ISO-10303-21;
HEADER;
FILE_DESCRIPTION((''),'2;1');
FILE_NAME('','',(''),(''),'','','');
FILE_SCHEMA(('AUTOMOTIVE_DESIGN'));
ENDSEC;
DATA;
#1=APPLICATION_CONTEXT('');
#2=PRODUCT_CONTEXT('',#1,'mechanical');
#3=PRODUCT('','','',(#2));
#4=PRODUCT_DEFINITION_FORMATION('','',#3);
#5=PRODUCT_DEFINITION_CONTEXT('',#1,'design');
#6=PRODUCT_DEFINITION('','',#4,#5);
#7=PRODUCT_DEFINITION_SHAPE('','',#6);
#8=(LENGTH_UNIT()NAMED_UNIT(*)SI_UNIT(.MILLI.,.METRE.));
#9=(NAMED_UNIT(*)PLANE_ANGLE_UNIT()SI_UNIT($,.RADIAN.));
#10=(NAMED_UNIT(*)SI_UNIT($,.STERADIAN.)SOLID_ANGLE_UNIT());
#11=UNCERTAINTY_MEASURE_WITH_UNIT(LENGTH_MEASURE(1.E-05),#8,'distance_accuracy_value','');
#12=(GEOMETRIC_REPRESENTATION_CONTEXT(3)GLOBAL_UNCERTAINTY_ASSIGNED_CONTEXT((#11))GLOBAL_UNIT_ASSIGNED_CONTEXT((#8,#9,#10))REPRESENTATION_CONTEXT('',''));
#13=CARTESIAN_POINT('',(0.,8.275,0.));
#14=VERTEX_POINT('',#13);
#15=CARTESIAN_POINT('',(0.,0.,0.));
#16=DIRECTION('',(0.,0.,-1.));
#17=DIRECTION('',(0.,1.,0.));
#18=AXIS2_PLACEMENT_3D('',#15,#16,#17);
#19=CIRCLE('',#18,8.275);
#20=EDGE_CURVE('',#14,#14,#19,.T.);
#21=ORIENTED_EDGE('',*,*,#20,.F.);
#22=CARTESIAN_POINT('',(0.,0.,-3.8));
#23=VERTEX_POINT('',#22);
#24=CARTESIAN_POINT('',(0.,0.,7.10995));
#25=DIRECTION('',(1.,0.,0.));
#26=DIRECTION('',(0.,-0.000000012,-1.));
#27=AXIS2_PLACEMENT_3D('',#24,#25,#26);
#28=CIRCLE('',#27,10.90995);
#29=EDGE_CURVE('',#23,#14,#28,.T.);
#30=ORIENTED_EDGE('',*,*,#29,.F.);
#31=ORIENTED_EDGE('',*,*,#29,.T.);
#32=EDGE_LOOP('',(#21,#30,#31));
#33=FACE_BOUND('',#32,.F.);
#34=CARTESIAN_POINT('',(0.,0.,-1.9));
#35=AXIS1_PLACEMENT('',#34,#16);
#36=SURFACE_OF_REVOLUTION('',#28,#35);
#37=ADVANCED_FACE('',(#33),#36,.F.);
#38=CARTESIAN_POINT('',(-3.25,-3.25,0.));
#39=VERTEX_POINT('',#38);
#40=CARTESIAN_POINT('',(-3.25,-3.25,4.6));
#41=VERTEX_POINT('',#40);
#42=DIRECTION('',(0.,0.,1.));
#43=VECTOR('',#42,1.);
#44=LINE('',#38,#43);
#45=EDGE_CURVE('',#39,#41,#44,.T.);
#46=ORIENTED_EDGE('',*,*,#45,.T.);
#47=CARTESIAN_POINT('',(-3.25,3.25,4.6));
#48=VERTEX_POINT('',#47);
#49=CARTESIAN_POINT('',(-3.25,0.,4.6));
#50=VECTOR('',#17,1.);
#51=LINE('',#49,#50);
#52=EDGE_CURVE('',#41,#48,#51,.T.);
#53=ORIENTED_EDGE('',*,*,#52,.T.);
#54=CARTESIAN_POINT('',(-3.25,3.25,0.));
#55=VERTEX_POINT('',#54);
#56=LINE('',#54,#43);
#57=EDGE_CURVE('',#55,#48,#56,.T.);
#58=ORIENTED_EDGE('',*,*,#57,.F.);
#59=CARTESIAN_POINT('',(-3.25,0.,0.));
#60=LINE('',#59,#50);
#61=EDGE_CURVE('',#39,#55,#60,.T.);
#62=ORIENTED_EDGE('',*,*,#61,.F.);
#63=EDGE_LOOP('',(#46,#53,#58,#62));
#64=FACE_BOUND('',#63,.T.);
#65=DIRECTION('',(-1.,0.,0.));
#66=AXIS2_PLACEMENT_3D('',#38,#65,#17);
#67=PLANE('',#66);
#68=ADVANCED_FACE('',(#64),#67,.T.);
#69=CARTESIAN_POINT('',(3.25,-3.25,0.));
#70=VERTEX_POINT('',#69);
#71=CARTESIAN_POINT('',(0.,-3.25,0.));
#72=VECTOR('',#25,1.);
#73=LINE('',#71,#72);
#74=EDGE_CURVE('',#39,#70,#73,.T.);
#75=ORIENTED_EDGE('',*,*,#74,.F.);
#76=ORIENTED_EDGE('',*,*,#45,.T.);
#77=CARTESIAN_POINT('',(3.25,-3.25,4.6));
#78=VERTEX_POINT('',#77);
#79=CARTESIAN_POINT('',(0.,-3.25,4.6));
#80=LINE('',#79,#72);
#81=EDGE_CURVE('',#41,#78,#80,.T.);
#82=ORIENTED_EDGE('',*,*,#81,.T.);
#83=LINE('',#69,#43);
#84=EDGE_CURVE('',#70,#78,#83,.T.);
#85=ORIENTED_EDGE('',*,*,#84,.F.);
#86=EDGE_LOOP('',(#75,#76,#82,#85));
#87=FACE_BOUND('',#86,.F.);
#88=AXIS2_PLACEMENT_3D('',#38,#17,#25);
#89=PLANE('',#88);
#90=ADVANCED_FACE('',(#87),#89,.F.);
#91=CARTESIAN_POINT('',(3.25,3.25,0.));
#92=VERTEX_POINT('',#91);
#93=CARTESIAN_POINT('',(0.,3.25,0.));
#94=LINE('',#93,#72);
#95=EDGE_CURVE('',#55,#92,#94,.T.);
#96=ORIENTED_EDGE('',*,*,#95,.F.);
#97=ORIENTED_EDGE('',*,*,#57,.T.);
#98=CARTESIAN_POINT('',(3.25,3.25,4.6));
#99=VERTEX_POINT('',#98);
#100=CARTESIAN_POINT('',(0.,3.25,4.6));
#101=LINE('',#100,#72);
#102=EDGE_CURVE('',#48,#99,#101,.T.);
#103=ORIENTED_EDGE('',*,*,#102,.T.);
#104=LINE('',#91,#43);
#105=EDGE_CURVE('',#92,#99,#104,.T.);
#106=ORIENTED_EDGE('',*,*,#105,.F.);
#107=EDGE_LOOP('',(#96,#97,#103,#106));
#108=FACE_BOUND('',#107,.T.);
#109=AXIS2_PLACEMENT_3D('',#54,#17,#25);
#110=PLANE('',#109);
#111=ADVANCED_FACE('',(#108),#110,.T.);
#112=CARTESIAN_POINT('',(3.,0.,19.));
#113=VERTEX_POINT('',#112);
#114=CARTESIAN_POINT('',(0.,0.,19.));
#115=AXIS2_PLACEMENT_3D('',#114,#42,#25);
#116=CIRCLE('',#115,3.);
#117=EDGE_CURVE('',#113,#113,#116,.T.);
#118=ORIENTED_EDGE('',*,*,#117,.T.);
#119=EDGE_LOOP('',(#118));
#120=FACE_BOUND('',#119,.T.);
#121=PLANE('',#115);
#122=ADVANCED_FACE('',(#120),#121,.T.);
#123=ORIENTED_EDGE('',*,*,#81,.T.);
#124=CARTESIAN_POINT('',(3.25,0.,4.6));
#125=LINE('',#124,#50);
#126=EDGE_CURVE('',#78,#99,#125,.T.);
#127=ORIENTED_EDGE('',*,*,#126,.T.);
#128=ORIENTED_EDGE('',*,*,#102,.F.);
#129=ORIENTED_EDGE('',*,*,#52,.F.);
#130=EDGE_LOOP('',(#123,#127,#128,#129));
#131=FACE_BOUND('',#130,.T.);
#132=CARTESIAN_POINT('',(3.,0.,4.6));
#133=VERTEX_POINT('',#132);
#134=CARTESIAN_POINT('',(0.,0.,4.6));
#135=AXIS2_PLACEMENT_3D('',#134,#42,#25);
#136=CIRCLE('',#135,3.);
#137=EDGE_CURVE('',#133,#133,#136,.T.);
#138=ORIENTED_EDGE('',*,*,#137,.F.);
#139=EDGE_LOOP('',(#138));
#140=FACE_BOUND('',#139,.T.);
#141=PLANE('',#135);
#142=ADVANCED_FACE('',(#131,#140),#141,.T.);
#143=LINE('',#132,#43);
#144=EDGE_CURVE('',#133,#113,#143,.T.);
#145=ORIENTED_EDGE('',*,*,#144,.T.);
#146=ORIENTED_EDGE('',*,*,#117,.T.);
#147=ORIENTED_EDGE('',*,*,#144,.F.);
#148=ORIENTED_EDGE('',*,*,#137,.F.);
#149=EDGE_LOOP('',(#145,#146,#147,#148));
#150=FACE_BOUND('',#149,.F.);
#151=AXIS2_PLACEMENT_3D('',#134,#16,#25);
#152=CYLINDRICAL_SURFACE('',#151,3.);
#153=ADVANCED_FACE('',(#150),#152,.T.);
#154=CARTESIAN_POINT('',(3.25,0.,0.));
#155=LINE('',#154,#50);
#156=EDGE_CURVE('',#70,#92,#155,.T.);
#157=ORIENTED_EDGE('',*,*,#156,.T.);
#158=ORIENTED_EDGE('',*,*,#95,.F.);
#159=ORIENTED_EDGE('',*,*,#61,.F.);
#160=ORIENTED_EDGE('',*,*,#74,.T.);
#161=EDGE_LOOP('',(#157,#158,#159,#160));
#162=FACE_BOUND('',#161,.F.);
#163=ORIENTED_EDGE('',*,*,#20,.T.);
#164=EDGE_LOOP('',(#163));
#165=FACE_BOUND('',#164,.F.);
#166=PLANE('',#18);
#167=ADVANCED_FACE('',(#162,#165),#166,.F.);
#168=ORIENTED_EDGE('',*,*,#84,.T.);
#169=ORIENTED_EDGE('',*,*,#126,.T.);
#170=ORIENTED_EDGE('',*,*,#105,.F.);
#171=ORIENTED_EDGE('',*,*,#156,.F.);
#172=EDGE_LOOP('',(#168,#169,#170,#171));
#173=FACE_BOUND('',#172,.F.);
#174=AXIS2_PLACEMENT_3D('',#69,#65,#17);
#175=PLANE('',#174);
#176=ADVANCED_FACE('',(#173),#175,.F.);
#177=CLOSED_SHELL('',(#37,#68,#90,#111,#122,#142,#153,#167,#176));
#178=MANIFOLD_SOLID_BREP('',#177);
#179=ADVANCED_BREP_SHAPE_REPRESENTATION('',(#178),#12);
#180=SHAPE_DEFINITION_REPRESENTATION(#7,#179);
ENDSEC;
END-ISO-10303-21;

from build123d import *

# Parameters (mm, degrees)
F0_W     = 6.5
F0_H     = 6.5
F1_DEPTH = 4.6
F2_R     = 3
F3_DEPTH = 14.4


with BuildPart() as f1:
    # F0 (on Top) → F1 (new body)
    with BuildSketch(Plane.XY):
        Rectangle(F0_W, F0_H)
    extrude(amount=F1_DEPTH)

    # F2 (on face) → F3 (join)
    with BuildSketch(Plane.XY.offset(4.6)):
        Circle(F2_R)
    extrude(amount=F3_DEPTH)

    # F4 (on Right) → F5 (revolve)
    with BuildSketch(Plane.YZ):
        with BuildLine():
            ThreePointArc((0, -3.8), (4.552901, -2.80459), (8.275, 0))
            Line((8.275, 0), (0, 0))
            Line((0, 0), (0, -3.8))
        make_face()
    revolve(axis=Axis((0, 0, -1.9), (0, 0, -1)))


solid = f1.part
